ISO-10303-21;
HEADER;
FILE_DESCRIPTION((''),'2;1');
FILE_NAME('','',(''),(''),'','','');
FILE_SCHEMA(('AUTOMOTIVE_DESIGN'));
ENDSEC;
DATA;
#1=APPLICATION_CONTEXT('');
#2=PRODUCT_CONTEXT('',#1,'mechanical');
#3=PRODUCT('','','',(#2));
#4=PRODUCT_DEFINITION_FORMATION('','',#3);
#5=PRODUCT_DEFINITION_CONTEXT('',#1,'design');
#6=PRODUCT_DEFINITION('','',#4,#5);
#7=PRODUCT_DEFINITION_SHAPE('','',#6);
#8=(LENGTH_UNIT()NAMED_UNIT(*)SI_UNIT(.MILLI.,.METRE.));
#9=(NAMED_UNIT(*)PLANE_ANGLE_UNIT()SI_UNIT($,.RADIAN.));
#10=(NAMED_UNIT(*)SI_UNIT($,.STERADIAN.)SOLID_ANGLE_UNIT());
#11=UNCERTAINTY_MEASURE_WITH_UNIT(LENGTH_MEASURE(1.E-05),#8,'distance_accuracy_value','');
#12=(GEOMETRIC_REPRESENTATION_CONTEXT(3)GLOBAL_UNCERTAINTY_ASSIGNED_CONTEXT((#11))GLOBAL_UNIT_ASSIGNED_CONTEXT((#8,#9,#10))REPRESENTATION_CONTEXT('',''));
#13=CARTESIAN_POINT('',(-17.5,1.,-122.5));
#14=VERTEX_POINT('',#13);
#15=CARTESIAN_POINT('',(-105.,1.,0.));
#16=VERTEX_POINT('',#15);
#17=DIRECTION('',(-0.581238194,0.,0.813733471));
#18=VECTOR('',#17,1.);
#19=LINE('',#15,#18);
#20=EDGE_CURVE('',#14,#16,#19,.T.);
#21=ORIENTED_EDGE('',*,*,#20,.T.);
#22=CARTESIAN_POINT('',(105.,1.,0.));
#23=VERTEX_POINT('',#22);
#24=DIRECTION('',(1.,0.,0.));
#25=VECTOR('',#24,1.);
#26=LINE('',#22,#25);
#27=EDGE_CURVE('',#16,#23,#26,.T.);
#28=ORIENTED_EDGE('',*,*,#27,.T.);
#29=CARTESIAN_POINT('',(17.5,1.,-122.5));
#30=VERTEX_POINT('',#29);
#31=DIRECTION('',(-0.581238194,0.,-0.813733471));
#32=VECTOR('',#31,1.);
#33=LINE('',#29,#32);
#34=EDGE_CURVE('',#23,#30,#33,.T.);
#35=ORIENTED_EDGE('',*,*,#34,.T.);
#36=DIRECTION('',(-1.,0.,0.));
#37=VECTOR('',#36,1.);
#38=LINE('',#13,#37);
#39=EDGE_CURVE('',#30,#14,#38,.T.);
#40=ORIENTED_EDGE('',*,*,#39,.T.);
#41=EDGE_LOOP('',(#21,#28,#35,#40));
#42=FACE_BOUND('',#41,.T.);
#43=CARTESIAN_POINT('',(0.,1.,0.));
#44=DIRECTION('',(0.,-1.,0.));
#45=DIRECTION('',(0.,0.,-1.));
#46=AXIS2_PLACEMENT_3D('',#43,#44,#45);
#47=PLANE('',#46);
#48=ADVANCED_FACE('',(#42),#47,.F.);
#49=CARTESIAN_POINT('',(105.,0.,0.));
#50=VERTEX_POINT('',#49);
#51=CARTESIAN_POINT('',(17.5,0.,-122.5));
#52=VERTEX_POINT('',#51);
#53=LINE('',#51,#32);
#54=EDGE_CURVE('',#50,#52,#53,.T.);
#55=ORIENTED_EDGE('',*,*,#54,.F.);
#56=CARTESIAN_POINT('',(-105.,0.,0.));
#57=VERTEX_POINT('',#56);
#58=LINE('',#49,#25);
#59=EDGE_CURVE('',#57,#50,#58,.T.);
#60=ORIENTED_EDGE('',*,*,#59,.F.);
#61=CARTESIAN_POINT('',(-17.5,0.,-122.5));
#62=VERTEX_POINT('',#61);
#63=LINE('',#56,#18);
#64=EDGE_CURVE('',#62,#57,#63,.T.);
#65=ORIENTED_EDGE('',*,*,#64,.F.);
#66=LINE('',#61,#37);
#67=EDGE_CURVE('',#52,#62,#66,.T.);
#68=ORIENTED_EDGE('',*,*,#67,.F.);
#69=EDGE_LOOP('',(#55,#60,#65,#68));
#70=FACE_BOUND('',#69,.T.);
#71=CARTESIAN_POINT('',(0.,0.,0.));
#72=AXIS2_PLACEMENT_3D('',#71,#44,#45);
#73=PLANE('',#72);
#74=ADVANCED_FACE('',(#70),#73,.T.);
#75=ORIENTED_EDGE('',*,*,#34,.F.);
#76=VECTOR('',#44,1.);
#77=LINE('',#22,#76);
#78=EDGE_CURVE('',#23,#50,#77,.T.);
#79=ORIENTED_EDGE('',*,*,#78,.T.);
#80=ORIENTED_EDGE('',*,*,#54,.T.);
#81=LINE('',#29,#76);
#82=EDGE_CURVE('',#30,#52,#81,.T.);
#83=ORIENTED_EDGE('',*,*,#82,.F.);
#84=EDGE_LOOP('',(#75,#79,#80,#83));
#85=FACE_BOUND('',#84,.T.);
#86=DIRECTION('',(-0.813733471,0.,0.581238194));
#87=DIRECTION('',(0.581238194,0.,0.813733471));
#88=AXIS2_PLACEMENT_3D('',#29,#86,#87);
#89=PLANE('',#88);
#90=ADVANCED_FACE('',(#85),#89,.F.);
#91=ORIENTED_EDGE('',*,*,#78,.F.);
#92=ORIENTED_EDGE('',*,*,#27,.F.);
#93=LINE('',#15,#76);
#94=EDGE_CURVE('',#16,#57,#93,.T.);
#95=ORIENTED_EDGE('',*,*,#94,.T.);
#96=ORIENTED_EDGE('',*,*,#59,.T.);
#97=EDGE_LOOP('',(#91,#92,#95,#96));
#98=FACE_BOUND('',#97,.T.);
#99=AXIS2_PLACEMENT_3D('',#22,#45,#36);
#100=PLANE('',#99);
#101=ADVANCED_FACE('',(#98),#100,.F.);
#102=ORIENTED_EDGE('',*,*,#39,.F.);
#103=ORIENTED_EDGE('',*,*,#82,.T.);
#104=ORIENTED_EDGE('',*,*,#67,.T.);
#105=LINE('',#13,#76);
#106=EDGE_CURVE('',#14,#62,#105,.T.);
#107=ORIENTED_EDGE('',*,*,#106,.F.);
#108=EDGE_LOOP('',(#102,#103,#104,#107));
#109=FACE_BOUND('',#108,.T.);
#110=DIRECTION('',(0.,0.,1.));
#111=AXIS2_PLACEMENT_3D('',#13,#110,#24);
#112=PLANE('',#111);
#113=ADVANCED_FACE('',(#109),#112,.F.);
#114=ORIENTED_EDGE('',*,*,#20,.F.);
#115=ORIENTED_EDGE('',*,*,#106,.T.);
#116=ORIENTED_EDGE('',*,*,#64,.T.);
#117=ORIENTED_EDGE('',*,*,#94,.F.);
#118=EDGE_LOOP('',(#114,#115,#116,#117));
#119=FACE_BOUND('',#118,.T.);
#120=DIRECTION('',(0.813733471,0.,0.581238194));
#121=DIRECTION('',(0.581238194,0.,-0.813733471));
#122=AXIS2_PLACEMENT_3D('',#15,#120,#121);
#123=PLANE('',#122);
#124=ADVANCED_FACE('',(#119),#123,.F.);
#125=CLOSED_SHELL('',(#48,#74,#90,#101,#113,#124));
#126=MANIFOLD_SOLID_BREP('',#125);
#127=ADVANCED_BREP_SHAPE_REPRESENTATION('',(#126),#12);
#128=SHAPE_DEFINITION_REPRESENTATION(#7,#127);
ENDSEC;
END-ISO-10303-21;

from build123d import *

# Parameters (mm, degrees)
BOSS_EXTRUDE1_DEPTH = 1


with BuildPart() as part:
    # Sketch1 → Boss-Extrude1 (new body)
    with BuildSketch(Plane(origin=(0, 0, 0), x_dir=(1, 0, 0), z_dir=(0, 1, 0))):
        Polygon((-17.5, 122.5), (17.5, 122.5), (105, 0), (-105, 0), align=None)
    extrude(amount=BOSS_EXTRUDE1_DEPTH)


solid = part.part
